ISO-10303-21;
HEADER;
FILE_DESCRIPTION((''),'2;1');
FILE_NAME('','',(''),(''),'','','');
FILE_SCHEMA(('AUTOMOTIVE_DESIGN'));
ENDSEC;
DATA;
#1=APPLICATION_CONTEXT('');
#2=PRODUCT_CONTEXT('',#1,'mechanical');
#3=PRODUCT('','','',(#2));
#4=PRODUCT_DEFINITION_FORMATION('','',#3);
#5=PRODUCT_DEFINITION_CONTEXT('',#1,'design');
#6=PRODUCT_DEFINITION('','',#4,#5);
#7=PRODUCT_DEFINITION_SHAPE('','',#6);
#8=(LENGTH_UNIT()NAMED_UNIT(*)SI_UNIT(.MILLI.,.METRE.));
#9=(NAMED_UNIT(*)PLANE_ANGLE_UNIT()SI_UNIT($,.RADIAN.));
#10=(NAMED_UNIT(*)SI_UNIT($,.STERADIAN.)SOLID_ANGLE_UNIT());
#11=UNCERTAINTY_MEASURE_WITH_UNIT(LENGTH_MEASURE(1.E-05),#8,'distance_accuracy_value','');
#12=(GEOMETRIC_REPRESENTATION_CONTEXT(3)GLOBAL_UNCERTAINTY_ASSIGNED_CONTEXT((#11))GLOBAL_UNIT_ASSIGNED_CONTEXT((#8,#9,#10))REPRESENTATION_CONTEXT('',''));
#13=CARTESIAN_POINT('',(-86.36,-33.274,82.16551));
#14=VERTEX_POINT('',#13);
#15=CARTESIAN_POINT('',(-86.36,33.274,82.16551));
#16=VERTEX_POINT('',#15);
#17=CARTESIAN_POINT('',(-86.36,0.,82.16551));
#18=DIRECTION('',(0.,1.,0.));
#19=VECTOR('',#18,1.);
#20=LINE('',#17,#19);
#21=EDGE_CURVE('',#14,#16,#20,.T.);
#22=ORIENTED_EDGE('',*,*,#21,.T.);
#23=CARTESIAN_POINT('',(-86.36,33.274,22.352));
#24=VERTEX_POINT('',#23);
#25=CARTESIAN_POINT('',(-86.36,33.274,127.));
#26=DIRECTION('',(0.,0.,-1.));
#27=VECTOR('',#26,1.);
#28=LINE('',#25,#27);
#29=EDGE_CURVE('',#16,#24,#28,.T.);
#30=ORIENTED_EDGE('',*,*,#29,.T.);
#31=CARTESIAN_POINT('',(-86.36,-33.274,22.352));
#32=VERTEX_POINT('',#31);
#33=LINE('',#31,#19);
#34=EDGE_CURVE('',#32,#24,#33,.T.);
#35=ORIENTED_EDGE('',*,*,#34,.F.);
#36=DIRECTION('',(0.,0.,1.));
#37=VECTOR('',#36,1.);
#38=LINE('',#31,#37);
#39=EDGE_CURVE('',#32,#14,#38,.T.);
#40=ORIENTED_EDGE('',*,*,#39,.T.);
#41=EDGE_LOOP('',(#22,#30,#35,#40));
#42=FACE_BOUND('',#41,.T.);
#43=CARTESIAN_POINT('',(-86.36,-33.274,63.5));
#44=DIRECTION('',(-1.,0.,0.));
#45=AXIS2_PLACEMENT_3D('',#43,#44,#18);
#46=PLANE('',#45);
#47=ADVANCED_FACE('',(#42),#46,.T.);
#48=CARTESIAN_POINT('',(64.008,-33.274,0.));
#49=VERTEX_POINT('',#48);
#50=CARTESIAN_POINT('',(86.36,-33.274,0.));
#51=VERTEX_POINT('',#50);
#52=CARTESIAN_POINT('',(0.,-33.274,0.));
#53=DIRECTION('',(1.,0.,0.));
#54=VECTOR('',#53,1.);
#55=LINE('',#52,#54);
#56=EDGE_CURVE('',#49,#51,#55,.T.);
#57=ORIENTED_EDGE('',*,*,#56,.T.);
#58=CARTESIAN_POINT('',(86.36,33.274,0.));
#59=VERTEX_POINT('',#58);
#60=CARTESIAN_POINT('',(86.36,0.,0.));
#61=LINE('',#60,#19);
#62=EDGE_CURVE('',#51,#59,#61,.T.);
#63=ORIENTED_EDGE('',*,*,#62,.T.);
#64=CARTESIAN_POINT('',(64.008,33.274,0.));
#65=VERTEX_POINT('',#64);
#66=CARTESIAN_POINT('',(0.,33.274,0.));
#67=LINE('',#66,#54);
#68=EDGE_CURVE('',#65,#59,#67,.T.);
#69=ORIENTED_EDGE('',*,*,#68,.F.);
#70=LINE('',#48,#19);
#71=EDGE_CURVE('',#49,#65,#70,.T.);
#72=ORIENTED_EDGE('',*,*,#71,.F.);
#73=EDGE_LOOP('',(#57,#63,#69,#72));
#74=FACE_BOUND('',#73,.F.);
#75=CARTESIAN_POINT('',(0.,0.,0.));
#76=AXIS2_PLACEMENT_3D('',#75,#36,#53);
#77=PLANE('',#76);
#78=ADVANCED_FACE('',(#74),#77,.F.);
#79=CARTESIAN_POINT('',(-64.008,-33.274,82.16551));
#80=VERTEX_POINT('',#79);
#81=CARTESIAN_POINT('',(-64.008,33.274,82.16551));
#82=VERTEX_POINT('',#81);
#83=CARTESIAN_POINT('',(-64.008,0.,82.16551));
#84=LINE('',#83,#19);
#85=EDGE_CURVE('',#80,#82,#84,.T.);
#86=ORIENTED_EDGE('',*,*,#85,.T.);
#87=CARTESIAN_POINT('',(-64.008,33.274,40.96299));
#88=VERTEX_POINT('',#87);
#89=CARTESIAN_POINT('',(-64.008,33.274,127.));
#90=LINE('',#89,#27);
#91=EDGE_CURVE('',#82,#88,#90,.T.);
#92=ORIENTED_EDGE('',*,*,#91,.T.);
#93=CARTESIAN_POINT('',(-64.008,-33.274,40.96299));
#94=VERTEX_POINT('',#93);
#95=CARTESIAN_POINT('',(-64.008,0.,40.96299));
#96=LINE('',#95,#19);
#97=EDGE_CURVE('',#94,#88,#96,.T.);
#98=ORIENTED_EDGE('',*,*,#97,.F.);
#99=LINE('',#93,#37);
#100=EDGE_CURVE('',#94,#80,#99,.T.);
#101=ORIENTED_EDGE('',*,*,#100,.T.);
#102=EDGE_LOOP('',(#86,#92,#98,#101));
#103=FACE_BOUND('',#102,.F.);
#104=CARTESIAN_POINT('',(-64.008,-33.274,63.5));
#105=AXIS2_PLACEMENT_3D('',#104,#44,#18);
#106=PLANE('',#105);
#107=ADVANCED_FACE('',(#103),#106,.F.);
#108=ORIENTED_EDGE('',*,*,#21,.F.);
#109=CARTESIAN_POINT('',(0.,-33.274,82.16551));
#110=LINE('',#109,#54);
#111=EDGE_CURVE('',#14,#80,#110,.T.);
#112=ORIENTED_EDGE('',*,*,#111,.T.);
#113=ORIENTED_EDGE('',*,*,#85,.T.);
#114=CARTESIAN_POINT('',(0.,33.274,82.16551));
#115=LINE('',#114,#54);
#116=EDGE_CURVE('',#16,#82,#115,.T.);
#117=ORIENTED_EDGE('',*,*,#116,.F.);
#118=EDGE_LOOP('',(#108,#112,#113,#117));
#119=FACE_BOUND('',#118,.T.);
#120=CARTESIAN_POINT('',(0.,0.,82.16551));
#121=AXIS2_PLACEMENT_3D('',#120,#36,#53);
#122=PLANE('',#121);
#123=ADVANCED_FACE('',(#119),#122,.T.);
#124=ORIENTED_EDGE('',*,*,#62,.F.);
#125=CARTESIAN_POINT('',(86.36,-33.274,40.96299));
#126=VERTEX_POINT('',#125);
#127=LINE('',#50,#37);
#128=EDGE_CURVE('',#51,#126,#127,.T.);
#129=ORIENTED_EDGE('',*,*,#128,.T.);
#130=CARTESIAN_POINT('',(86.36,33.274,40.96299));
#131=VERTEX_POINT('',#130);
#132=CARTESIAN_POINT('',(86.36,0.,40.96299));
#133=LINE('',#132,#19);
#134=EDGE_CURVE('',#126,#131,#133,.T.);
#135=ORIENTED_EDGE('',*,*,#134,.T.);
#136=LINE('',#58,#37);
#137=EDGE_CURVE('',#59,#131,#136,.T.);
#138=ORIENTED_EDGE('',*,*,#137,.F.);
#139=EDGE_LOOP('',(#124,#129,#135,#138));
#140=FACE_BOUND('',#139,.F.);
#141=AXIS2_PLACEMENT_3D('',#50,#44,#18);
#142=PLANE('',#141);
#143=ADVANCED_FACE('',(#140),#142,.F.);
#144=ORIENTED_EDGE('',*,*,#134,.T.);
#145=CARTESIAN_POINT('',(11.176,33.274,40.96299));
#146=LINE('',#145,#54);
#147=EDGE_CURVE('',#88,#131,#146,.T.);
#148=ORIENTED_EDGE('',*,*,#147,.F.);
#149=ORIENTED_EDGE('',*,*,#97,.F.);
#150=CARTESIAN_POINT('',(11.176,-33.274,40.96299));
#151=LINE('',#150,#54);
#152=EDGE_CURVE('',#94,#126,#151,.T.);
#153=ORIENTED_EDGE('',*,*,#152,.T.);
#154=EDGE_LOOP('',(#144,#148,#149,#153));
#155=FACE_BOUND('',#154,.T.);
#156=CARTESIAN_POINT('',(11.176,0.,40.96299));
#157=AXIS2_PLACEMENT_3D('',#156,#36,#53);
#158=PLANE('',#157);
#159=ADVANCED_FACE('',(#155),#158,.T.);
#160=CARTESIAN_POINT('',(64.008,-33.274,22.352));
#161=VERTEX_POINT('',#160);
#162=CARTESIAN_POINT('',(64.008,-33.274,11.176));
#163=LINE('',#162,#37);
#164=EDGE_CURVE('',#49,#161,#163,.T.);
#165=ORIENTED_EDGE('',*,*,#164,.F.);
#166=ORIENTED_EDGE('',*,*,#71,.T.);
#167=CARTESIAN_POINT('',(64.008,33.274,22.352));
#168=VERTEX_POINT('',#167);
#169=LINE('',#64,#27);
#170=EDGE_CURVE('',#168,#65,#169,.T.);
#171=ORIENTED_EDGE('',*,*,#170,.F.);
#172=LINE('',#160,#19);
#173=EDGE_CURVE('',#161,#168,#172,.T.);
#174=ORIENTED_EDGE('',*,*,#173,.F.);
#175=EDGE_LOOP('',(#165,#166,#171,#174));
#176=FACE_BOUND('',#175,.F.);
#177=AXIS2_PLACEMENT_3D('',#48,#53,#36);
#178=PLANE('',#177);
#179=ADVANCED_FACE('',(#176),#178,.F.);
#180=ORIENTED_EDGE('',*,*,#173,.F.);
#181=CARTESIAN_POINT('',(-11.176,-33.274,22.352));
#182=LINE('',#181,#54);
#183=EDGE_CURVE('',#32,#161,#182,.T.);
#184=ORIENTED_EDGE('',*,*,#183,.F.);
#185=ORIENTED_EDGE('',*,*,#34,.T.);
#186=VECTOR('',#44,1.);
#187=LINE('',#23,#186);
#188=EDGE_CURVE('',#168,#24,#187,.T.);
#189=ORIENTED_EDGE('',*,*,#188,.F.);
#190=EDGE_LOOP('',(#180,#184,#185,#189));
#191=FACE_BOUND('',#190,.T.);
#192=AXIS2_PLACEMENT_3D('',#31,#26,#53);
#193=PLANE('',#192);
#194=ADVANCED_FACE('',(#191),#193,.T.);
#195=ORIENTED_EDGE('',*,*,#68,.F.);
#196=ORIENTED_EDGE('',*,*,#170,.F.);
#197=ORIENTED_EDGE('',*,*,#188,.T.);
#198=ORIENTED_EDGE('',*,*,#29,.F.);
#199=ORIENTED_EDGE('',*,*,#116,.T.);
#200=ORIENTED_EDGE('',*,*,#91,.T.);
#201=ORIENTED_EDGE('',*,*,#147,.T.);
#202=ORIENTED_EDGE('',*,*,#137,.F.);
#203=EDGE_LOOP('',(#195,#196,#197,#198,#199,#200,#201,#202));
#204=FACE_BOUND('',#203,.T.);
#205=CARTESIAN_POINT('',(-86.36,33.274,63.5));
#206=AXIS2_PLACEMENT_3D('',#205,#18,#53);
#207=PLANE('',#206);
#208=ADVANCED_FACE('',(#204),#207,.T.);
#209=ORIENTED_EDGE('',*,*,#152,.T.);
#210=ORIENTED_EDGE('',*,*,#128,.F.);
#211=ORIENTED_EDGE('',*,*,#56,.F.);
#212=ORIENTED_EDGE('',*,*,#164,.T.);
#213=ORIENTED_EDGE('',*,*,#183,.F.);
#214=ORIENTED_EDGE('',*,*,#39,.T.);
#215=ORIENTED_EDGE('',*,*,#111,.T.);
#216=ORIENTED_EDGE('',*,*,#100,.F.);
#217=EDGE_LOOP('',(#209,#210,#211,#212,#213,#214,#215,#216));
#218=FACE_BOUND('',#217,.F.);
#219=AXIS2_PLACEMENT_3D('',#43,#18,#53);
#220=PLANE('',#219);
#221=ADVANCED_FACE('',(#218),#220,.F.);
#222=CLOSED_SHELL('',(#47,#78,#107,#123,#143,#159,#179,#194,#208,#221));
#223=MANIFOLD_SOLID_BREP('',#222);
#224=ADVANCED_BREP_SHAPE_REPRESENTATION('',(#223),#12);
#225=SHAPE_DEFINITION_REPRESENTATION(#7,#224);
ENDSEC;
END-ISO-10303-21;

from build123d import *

# Parameters (mm, degrees)
F0_W     = 172.72
F0_H     = 66.548
F1_DEPTH = 63.5
F2_W     = 150.368
F2_H     = 22.352
F3_DEPTH = 189.62974
F4_W     = 150.368
F4_H     = 66.548
F5_DEPTH = 22.53701
F6_DEPTH = 63.5
F7_DEPTH = 41.45952
F8_DEPTH = 3.37497


with BuildPart() as f1:
    # F0 (on Top) → F1 (new body)
    with BuildSketch(Plane.XY):
        Rectangle(F0_W, F0_H)
    extrude(amount=F1_DEPTH)

    # F2 (on face) → F3 (cut)
    with BuildSketch(Plane.XZ.offset(33.274)):
        with Locations((-11.176, 11.176)):
            Rectangle(F2_W, F2_H)
    extrude(amount=-F3_DEPTH, mode=Mode.SUBTRACT)

    # F4 (on face) → F5 (cut)
    with BuildSketch(Plane.XY.offset(63.5)):
        with Locations((11.176, 0)):
            Rectangle(F4_W, F4_H)
    extrude(amount=-F5_DEPTH, mode=Mode.SUBTRACT)

    # F6 (add): a face of the model
    f6_faces = [f1.faces().sort_by_distance(p)[0] for p in [
        (-75.184, 0, 63.5),
    ]]
    extrude(f6_faces, amount=F6_DEPTH)

    # F7 (cut): a face of the model
    f7_faces = [f1.faces().sort_by_distance(p)[0] for p in [
        (-75.184, 0, 127),
    ]]
    extrude(f7_faces, amount=-F7_DEPTH, mode=Mode.SUBTRACT)

    # F8 (cut): a face of the model
    f8_faces = [f1.faces().sort_by_distance(p)[0] for p in [
        (-75.184, 0, 85.54048),
    ]]
    extrude(f8_faces, amount=-F8_DEPTH, mode=Mode.SUBTRACT)


solid = f1.part
